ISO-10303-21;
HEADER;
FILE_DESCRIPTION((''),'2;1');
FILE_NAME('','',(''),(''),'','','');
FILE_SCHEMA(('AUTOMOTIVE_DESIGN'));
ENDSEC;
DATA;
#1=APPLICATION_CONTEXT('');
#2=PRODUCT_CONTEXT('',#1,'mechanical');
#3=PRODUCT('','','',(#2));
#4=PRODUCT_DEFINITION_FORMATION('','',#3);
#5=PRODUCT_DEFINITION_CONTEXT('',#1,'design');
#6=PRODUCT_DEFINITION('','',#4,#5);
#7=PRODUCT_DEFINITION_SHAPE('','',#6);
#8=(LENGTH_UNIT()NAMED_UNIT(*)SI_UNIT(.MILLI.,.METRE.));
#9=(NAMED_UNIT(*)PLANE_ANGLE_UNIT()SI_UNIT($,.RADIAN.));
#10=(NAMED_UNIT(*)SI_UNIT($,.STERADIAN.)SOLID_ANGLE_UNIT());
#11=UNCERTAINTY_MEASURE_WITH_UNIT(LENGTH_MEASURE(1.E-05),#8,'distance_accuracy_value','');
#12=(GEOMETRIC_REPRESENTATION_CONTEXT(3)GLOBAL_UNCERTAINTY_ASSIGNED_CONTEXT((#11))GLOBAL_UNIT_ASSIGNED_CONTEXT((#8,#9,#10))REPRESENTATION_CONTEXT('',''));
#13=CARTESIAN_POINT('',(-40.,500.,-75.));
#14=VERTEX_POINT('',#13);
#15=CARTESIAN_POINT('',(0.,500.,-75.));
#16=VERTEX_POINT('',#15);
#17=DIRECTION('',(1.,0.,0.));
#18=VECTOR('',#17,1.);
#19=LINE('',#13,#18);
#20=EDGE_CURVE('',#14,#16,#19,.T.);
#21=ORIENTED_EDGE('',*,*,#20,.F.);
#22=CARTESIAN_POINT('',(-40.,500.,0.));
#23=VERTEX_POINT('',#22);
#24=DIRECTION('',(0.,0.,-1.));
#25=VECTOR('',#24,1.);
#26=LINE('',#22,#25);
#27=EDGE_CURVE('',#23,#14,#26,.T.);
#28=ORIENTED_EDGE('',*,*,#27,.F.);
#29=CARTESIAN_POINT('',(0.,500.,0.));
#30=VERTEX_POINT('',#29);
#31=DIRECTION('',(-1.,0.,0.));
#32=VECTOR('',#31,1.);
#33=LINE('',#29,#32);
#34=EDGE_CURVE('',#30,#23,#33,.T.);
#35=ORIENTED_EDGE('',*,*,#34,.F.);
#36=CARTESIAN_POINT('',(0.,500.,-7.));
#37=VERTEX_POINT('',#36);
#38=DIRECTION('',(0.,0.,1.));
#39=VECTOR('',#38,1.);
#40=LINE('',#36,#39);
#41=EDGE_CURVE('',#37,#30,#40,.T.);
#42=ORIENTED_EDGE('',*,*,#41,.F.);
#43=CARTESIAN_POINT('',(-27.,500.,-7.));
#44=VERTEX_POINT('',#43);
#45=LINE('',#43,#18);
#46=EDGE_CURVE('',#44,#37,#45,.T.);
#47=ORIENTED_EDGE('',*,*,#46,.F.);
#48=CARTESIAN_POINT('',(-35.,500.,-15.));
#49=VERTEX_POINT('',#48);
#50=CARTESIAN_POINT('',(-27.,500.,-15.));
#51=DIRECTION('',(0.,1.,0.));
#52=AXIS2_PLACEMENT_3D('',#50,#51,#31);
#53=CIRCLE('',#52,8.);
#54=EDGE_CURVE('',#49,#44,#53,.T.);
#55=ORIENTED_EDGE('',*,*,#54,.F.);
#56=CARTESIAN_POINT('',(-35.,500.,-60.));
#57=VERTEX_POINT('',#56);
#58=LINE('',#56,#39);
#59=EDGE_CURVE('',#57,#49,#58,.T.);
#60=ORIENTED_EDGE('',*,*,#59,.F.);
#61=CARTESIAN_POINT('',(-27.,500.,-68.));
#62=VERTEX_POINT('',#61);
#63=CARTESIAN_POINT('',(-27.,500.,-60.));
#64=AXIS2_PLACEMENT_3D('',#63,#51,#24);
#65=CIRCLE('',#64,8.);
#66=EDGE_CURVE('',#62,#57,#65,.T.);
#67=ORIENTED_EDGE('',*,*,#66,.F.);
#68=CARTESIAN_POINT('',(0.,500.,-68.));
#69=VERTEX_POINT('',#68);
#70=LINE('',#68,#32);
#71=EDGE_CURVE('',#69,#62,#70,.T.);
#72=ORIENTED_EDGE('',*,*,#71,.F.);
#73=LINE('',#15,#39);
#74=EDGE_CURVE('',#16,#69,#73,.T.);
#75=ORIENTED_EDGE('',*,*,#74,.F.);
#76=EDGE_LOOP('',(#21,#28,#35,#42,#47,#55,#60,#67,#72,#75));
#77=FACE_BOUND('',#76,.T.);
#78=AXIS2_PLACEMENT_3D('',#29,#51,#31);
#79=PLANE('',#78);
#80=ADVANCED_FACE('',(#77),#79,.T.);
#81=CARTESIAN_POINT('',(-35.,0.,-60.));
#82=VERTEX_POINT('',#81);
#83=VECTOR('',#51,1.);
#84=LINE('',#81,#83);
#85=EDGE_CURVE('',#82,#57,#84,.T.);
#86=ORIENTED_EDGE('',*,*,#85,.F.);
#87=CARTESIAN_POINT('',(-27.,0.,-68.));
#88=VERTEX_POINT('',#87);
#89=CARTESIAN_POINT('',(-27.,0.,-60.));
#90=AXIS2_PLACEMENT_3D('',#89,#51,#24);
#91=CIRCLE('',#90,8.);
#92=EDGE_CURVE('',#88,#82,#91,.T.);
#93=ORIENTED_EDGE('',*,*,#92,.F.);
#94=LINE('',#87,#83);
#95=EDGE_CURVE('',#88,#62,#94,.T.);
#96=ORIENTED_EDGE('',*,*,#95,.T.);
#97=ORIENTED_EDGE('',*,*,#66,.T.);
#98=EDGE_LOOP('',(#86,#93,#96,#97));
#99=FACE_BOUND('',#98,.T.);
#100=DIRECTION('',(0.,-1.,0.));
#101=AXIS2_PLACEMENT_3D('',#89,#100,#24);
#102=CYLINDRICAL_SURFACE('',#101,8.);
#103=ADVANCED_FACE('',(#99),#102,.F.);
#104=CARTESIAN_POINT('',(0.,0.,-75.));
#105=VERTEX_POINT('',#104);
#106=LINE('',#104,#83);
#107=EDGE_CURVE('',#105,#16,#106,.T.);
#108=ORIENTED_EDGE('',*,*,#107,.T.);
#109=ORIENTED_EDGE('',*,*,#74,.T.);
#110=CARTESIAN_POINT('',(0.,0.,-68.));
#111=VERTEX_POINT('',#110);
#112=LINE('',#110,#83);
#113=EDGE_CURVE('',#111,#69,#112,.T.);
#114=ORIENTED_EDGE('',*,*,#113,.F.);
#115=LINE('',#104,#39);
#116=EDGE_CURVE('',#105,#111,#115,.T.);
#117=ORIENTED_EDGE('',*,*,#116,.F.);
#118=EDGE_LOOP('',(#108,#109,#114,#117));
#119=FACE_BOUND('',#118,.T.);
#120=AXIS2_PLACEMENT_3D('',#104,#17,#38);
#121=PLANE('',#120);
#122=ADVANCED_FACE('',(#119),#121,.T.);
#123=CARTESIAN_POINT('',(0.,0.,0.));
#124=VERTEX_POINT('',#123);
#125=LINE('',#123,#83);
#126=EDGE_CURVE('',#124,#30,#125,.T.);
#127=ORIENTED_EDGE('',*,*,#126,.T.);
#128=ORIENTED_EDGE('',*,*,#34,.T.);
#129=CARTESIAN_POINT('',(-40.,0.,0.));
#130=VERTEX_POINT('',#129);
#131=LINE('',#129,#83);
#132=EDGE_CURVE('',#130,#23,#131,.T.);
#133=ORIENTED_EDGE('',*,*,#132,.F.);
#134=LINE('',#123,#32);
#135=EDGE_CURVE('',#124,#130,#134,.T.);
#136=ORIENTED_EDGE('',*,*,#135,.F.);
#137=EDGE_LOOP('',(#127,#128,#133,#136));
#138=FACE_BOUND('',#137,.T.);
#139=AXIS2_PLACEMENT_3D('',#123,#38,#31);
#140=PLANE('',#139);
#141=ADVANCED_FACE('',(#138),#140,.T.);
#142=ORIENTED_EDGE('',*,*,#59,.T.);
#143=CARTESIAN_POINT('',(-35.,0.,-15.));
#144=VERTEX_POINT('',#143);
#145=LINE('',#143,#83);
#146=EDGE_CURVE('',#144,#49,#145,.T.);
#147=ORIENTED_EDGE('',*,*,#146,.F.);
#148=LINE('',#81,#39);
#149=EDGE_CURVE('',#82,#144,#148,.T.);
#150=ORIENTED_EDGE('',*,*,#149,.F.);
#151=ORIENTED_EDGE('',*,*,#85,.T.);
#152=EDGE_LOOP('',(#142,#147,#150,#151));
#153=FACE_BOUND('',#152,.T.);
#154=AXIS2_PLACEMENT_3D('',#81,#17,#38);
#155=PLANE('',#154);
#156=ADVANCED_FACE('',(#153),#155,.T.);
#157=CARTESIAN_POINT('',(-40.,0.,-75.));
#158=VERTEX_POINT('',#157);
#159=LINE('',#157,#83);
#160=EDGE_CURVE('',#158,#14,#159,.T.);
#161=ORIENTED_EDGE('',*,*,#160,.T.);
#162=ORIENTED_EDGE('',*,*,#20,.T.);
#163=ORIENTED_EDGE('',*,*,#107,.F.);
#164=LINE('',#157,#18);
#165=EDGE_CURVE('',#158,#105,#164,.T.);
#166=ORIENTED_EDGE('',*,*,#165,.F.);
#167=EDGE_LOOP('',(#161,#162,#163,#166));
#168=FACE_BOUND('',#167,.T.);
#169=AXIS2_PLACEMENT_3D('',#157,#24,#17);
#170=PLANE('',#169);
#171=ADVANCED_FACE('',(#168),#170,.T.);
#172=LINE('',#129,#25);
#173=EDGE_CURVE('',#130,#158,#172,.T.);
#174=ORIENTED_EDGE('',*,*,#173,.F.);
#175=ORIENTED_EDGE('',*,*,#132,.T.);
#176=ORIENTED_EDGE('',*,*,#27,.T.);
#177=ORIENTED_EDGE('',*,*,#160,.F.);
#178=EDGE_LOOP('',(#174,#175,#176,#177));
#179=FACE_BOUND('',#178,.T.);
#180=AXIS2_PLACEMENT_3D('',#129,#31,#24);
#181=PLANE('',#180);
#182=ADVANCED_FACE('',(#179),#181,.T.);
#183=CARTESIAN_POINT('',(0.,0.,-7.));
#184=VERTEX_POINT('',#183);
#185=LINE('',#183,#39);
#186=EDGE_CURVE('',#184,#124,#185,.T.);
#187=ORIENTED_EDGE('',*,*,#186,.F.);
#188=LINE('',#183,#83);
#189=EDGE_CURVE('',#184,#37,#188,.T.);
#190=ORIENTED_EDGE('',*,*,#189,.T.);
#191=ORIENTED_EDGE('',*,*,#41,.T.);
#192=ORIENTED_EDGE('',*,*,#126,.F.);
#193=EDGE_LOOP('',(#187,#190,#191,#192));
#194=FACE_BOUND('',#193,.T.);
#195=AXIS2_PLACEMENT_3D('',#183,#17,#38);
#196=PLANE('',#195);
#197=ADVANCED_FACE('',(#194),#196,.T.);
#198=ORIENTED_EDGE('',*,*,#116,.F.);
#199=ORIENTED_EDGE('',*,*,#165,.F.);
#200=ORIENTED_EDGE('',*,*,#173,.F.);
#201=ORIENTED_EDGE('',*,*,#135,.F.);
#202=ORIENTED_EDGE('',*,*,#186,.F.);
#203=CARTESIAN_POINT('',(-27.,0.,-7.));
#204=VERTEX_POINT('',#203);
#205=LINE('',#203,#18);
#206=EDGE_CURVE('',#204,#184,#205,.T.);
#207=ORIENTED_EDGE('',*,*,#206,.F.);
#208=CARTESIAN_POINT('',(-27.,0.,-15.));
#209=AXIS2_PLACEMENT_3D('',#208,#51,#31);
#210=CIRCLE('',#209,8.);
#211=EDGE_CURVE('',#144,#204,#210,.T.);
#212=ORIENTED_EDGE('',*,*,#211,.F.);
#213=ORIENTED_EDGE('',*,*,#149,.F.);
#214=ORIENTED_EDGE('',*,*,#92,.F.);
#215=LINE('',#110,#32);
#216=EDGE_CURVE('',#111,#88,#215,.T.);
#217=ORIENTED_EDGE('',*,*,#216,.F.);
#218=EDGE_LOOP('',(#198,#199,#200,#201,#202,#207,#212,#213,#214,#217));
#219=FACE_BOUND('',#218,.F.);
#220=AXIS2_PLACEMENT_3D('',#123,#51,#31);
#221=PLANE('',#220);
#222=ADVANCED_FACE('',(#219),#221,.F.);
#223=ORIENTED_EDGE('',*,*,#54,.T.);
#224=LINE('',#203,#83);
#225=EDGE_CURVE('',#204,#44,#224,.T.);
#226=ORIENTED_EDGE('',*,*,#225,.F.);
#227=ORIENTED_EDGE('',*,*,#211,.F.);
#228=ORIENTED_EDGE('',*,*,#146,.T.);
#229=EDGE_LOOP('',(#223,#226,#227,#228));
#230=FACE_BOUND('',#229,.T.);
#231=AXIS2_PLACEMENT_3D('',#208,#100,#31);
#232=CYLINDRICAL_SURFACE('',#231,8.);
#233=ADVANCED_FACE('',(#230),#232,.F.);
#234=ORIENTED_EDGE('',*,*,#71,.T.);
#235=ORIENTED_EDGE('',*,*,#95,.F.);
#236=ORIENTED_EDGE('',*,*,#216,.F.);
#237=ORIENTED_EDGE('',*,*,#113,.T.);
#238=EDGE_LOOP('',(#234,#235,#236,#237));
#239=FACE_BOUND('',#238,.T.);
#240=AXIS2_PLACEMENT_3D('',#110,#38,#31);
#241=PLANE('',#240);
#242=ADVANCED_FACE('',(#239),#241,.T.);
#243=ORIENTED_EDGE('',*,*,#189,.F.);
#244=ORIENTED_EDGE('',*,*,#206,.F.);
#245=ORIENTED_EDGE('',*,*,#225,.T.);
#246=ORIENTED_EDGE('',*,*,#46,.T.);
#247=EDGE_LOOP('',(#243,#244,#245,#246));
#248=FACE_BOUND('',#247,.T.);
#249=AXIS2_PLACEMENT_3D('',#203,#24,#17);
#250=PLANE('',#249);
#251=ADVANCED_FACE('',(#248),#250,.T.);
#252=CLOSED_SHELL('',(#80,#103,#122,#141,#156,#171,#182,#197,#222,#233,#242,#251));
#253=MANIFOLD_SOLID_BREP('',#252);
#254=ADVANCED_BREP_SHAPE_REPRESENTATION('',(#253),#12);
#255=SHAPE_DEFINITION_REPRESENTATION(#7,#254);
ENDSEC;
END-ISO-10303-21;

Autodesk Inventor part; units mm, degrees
ref_plane "YZ Plane" through (0, 0, 0) normal (1, 0, 0) x (0, 1, 0)
ref_plane "XZ Plane" through (0, 0, 0) normal (0, 1, 0) x (-1, 0, 0)
ref_plane "XY Plane" through (0, 0, 0) normal (0, 0, 1) x (1, 0, 0)
sketch "Sketch1" plane through (0, 0, 0) normal (0, 1, 0) x (-1, 0, 0)
  point P0 (0, 0)
sketch "Sketch2" plane through (0, 0, 0) normal (0, 1, 0) x (-1, 0, 0)
  line L0 (0, 0) -> (40, 0)
  line L1 (40, 0) -> (40, -75)
  line L2 (40, -75) -> (0, -75)
  line L3 (0, -75) -> (0, -68)
  line L4 (0, -68) -> (27, -68)
  line L5 (35, -60) -> (35, -15)
  line L6 (27, -7) -> (0, -7)
  line L7 (0, -7) -> (0, 0)
  arc A0 (35, -15) -> (27, -7) centre (27, -15) ccw
  arc A1 (27, -68) -> (35, -60) centre (27, -60) ccw
  point P0 (35, -68)
  point P1 (35, -7)
  dimension "d0" = 40
  dimension "d1" = 75
  dimension "d2" = 40
  dimension "d3" = 7
  dimension "d5" = 35
  dimension "d6" = 61
  dimension "d7" = 8
extrude "Extrusion1" add sketch "Sketch2" along normal blind 500
properties part number "Channel2_CPY"
